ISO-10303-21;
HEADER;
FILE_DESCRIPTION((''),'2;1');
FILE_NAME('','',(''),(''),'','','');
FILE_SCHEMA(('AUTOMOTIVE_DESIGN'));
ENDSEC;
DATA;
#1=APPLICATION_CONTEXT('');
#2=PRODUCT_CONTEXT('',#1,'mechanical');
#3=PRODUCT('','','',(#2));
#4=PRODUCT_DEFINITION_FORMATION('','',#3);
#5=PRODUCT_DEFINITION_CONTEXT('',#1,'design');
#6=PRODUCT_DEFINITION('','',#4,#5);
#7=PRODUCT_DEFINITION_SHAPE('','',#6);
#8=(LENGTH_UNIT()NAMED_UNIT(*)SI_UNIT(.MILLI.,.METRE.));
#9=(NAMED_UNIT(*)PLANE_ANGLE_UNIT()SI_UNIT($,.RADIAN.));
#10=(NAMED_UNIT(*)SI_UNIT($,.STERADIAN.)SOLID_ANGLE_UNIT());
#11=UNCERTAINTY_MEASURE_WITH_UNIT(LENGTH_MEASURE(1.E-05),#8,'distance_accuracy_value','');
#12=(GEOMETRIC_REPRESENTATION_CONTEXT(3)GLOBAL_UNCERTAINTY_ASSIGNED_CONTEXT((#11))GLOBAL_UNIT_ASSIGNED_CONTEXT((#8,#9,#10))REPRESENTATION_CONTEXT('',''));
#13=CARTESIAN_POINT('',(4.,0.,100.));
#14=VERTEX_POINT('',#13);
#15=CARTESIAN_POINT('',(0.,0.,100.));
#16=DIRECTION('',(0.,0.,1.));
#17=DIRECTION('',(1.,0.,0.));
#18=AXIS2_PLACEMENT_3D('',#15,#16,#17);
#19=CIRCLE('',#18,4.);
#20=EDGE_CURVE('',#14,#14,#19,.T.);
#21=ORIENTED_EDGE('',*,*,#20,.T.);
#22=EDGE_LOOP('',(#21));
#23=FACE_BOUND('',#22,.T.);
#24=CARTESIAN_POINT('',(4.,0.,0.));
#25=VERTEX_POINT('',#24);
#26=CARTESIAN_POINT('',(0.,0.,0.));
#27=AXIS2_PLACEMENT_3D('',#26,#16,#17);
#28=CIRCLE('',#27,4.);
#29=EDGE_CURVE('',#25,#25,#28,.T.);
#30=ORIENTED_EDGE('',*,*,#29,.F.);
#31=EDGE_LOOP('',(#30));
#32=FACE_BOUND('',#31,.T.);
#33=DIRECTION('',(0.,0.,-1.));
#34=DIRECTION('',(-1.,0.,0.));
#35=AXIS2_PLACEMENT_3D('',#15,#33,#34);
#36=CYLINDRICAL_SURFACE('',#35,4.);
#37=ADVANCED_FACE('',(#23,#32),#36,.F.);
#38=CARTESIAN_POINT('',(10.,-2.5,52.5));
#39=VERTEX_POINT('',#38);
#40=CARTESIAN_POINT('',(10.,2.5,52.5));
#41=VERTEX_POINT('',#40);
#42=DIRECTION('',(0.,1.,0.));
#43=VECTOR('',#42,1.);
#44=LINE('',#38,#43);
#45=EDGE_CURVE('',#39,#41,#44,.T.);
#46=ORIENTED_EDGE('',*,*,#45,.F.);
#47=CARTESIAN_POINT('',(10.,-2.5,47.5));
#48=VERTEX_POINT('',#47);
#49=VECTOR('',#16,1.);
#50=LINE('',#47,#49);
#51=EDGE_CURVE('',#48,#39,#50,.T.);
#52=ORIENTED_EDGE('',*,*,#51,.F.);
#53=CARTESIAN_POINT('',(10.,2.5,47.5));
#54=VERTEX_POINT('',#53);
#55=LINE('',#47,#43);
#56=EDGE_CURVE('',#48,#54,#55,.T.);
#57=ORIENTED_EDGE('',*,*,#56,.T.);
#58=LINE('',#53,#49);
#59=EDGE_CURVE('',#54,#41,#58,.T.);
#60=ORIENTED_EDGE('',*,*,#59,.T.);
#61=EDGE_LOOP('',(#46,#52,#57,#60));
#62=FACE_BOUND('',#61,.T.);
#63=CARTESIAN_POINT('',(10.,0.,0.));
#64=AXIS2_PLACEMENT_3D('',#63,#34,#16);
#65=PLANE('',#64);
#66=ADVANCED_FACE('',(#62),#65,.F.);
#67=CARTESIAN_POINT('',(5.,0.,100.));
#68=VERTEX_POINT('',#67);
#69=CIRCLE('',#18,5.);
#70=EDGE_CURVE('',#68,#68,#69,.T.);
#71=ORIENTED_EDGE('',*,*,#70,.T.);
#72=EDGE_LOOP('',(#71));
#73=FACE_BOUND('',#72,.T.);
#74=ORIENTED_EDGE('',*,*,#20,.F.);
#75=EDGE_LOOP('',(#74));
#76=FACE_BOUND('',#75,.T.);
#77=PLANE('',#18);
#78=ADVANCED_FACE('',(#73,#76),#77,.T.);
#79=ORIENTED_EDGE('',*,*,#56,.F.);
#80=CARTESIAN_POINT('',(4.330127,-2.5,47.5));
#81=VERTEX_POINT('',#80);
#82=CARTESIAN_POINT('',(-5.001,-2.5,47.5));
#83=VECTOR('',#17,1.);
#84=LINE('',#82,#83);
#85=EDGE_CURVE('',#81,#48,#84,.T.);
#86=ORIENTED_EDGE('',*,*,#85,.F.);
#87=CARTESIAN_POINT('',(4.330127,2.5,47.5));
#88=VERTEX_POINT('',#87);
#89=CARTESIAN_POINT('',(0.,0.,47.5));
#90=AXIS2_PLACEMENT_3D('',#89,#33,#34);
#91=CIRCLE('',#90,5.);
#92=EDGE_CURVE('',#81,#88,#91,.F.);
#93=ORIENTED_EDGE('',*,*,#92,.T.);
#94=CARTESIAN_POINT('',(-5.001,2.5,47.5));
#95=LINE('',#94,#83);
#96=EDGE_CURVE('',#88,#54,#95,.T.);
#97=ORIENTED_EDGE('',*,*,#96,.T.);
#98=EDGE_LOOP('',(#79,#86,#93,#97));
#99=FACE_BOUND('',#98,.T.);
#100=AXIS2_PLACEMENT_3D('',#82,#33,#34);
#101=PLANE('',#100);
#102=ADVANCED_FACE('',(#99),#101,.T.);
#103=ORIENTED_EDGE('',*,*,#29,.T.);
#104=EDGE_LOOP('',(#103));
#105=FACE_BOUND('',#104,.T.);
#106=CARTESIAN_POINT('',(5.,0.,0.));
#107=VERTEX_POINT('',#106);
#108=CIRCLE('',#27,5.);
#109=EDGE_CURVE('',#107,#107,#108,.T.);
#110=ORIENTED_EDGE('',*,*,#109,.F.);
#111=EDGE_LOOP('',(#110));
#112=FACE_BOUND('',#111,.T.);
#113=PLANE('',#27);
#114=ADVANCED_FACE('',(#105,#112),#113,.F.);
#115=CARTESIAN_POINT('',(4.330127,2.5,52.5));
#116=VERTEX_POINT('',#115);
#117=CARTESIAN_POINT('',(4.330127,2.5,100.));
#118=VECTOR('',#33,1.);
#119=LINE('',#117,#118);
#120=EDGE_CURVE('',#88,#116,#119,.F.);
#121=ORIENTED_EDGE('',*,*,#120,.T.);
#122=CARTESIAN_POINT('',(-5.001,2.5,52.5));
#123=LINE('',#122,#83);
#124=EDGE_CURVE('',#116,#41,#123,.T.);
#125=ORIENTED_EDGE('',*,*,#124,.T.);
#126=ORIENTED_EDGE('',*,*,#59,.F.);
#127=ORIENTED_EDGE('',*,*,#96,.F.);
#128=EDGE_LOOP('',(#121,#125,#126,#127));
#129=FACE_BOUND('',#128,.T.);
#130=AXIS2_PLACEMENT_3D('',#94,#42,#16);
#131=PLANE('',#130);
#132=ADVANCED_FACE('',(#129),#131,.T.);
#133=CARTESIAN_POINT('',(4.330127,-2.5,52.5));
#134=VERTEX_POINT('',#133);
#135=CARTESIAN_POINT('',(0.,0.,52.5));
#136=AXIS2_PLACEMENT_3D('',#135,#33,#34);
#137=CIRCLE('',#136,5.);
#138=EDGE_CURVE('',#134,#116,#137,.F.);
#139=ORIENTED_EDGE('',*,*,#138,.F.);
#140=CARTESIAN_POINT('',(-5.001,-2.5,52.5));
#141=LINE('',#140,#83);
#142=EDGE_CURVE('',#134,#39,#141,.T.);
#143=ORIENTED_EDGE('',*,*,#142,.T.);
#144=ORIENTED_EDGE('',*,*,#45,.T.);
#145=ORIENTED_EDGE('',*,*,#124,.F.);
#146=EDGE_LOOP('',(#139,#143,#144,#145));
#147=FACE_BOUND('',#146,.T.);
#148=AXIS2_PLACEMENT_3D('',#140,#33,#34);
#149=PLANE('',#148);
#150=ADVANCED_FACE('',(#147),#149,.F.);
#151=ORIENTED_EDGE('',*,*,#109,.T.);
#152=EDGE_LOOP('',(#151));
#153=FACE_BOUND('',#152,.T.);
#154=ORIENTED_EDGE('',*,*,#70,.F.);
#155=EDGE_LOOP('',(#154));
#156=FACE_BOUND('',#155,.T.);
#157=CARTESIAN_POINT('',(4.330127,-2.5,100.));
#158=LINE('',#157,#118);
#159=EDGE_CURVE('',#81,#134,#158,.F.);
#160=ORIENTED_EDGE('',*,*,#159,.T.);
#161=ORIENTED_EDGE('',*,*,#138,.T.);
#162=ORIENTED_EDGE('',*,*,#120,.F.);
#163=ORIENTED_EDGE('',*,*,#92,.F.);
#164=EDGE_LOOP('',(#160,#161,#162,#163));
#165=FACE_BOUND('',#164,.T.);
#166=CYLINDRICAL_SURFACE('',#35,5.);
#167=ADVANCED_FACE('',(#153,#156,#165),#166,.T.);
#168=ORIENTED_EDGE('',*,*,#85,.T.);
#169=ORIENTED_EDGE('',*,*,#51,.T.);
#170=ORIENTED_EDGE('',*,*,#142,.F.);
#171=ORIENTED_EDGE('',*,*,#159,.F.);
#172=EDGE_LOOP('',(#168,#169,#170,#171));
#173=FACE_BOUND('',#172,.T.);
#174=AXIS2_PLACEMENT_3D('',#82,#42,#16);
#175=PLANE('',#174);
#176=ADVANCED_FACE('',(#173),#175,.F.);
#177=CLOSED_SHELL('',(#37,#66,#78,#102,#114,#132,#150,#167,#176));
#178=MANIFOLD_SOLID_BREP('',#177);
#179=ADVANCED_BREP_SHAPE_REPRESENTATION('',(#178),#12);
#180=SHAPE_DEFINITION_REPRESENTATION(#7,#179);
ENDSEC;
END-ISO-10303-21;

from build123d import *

# Parameters (mm, degrees)
SKIZZE1_R                       = 5
SKIZZE1_R_2                     = 4
AUFSATZ_LINEAR_AUSTRAGEN1_DEPTH = 100
BOSS_EXTRUDE2_REACH             = 103.242
BOSS_EXTRUDE2_END_RADIUS        = 5
SKETCH1_W                       = 5
SKETCH1_H                       = 5


with BuildPart() as part:
    # Skizze1 → Aufsatz-Linear austragen1 (new body)
    with BuildSketch(Plane.XY):
        Circle(SKIZZE1_R)
        Circle(SKIZZE1_R_2, mode=Mode.SUBTRACT)
    extrude(amount=AUFSATZ_LINEAR_AUSTRAGEN1_DEPTH)

    # Boss-Extrude2: up to this cylinder (the profile starts outside it)
    boss_extrude2_end = Plane(origin=(0, 0, 50), z_dir=(0, 0, -1)) * Cylinder(BOSS_EXTRUDE2_END_RADIUS, 217.484, mode=Mode.PRIVATE)
    # Sketch1 → Boss-Extrude2 (add, up to the surface)
    with BuildSketch(Plane(origin=(10, 0, 0), x_dir=(0, 0, -1), z_dir=(1, 0, 0)), mode=Mode.PRIVATE) as boss_extrude2_sk1:
        with Locations((-50, 0)):
            Rectangle(SKETCH1_W, SKETCH1_H)
    boss_extrude2_tool1 = extrude(boss_extrude2_sk1.sketch, amount=-BOSS_EXTRUDE2_REACH, mode=Mode.PRIVATE) - boss_extrude2_end
    add(boss_extrude2_tool1.solids().sort_by_distance((10, 0, 50))[0])


solid = part.part
